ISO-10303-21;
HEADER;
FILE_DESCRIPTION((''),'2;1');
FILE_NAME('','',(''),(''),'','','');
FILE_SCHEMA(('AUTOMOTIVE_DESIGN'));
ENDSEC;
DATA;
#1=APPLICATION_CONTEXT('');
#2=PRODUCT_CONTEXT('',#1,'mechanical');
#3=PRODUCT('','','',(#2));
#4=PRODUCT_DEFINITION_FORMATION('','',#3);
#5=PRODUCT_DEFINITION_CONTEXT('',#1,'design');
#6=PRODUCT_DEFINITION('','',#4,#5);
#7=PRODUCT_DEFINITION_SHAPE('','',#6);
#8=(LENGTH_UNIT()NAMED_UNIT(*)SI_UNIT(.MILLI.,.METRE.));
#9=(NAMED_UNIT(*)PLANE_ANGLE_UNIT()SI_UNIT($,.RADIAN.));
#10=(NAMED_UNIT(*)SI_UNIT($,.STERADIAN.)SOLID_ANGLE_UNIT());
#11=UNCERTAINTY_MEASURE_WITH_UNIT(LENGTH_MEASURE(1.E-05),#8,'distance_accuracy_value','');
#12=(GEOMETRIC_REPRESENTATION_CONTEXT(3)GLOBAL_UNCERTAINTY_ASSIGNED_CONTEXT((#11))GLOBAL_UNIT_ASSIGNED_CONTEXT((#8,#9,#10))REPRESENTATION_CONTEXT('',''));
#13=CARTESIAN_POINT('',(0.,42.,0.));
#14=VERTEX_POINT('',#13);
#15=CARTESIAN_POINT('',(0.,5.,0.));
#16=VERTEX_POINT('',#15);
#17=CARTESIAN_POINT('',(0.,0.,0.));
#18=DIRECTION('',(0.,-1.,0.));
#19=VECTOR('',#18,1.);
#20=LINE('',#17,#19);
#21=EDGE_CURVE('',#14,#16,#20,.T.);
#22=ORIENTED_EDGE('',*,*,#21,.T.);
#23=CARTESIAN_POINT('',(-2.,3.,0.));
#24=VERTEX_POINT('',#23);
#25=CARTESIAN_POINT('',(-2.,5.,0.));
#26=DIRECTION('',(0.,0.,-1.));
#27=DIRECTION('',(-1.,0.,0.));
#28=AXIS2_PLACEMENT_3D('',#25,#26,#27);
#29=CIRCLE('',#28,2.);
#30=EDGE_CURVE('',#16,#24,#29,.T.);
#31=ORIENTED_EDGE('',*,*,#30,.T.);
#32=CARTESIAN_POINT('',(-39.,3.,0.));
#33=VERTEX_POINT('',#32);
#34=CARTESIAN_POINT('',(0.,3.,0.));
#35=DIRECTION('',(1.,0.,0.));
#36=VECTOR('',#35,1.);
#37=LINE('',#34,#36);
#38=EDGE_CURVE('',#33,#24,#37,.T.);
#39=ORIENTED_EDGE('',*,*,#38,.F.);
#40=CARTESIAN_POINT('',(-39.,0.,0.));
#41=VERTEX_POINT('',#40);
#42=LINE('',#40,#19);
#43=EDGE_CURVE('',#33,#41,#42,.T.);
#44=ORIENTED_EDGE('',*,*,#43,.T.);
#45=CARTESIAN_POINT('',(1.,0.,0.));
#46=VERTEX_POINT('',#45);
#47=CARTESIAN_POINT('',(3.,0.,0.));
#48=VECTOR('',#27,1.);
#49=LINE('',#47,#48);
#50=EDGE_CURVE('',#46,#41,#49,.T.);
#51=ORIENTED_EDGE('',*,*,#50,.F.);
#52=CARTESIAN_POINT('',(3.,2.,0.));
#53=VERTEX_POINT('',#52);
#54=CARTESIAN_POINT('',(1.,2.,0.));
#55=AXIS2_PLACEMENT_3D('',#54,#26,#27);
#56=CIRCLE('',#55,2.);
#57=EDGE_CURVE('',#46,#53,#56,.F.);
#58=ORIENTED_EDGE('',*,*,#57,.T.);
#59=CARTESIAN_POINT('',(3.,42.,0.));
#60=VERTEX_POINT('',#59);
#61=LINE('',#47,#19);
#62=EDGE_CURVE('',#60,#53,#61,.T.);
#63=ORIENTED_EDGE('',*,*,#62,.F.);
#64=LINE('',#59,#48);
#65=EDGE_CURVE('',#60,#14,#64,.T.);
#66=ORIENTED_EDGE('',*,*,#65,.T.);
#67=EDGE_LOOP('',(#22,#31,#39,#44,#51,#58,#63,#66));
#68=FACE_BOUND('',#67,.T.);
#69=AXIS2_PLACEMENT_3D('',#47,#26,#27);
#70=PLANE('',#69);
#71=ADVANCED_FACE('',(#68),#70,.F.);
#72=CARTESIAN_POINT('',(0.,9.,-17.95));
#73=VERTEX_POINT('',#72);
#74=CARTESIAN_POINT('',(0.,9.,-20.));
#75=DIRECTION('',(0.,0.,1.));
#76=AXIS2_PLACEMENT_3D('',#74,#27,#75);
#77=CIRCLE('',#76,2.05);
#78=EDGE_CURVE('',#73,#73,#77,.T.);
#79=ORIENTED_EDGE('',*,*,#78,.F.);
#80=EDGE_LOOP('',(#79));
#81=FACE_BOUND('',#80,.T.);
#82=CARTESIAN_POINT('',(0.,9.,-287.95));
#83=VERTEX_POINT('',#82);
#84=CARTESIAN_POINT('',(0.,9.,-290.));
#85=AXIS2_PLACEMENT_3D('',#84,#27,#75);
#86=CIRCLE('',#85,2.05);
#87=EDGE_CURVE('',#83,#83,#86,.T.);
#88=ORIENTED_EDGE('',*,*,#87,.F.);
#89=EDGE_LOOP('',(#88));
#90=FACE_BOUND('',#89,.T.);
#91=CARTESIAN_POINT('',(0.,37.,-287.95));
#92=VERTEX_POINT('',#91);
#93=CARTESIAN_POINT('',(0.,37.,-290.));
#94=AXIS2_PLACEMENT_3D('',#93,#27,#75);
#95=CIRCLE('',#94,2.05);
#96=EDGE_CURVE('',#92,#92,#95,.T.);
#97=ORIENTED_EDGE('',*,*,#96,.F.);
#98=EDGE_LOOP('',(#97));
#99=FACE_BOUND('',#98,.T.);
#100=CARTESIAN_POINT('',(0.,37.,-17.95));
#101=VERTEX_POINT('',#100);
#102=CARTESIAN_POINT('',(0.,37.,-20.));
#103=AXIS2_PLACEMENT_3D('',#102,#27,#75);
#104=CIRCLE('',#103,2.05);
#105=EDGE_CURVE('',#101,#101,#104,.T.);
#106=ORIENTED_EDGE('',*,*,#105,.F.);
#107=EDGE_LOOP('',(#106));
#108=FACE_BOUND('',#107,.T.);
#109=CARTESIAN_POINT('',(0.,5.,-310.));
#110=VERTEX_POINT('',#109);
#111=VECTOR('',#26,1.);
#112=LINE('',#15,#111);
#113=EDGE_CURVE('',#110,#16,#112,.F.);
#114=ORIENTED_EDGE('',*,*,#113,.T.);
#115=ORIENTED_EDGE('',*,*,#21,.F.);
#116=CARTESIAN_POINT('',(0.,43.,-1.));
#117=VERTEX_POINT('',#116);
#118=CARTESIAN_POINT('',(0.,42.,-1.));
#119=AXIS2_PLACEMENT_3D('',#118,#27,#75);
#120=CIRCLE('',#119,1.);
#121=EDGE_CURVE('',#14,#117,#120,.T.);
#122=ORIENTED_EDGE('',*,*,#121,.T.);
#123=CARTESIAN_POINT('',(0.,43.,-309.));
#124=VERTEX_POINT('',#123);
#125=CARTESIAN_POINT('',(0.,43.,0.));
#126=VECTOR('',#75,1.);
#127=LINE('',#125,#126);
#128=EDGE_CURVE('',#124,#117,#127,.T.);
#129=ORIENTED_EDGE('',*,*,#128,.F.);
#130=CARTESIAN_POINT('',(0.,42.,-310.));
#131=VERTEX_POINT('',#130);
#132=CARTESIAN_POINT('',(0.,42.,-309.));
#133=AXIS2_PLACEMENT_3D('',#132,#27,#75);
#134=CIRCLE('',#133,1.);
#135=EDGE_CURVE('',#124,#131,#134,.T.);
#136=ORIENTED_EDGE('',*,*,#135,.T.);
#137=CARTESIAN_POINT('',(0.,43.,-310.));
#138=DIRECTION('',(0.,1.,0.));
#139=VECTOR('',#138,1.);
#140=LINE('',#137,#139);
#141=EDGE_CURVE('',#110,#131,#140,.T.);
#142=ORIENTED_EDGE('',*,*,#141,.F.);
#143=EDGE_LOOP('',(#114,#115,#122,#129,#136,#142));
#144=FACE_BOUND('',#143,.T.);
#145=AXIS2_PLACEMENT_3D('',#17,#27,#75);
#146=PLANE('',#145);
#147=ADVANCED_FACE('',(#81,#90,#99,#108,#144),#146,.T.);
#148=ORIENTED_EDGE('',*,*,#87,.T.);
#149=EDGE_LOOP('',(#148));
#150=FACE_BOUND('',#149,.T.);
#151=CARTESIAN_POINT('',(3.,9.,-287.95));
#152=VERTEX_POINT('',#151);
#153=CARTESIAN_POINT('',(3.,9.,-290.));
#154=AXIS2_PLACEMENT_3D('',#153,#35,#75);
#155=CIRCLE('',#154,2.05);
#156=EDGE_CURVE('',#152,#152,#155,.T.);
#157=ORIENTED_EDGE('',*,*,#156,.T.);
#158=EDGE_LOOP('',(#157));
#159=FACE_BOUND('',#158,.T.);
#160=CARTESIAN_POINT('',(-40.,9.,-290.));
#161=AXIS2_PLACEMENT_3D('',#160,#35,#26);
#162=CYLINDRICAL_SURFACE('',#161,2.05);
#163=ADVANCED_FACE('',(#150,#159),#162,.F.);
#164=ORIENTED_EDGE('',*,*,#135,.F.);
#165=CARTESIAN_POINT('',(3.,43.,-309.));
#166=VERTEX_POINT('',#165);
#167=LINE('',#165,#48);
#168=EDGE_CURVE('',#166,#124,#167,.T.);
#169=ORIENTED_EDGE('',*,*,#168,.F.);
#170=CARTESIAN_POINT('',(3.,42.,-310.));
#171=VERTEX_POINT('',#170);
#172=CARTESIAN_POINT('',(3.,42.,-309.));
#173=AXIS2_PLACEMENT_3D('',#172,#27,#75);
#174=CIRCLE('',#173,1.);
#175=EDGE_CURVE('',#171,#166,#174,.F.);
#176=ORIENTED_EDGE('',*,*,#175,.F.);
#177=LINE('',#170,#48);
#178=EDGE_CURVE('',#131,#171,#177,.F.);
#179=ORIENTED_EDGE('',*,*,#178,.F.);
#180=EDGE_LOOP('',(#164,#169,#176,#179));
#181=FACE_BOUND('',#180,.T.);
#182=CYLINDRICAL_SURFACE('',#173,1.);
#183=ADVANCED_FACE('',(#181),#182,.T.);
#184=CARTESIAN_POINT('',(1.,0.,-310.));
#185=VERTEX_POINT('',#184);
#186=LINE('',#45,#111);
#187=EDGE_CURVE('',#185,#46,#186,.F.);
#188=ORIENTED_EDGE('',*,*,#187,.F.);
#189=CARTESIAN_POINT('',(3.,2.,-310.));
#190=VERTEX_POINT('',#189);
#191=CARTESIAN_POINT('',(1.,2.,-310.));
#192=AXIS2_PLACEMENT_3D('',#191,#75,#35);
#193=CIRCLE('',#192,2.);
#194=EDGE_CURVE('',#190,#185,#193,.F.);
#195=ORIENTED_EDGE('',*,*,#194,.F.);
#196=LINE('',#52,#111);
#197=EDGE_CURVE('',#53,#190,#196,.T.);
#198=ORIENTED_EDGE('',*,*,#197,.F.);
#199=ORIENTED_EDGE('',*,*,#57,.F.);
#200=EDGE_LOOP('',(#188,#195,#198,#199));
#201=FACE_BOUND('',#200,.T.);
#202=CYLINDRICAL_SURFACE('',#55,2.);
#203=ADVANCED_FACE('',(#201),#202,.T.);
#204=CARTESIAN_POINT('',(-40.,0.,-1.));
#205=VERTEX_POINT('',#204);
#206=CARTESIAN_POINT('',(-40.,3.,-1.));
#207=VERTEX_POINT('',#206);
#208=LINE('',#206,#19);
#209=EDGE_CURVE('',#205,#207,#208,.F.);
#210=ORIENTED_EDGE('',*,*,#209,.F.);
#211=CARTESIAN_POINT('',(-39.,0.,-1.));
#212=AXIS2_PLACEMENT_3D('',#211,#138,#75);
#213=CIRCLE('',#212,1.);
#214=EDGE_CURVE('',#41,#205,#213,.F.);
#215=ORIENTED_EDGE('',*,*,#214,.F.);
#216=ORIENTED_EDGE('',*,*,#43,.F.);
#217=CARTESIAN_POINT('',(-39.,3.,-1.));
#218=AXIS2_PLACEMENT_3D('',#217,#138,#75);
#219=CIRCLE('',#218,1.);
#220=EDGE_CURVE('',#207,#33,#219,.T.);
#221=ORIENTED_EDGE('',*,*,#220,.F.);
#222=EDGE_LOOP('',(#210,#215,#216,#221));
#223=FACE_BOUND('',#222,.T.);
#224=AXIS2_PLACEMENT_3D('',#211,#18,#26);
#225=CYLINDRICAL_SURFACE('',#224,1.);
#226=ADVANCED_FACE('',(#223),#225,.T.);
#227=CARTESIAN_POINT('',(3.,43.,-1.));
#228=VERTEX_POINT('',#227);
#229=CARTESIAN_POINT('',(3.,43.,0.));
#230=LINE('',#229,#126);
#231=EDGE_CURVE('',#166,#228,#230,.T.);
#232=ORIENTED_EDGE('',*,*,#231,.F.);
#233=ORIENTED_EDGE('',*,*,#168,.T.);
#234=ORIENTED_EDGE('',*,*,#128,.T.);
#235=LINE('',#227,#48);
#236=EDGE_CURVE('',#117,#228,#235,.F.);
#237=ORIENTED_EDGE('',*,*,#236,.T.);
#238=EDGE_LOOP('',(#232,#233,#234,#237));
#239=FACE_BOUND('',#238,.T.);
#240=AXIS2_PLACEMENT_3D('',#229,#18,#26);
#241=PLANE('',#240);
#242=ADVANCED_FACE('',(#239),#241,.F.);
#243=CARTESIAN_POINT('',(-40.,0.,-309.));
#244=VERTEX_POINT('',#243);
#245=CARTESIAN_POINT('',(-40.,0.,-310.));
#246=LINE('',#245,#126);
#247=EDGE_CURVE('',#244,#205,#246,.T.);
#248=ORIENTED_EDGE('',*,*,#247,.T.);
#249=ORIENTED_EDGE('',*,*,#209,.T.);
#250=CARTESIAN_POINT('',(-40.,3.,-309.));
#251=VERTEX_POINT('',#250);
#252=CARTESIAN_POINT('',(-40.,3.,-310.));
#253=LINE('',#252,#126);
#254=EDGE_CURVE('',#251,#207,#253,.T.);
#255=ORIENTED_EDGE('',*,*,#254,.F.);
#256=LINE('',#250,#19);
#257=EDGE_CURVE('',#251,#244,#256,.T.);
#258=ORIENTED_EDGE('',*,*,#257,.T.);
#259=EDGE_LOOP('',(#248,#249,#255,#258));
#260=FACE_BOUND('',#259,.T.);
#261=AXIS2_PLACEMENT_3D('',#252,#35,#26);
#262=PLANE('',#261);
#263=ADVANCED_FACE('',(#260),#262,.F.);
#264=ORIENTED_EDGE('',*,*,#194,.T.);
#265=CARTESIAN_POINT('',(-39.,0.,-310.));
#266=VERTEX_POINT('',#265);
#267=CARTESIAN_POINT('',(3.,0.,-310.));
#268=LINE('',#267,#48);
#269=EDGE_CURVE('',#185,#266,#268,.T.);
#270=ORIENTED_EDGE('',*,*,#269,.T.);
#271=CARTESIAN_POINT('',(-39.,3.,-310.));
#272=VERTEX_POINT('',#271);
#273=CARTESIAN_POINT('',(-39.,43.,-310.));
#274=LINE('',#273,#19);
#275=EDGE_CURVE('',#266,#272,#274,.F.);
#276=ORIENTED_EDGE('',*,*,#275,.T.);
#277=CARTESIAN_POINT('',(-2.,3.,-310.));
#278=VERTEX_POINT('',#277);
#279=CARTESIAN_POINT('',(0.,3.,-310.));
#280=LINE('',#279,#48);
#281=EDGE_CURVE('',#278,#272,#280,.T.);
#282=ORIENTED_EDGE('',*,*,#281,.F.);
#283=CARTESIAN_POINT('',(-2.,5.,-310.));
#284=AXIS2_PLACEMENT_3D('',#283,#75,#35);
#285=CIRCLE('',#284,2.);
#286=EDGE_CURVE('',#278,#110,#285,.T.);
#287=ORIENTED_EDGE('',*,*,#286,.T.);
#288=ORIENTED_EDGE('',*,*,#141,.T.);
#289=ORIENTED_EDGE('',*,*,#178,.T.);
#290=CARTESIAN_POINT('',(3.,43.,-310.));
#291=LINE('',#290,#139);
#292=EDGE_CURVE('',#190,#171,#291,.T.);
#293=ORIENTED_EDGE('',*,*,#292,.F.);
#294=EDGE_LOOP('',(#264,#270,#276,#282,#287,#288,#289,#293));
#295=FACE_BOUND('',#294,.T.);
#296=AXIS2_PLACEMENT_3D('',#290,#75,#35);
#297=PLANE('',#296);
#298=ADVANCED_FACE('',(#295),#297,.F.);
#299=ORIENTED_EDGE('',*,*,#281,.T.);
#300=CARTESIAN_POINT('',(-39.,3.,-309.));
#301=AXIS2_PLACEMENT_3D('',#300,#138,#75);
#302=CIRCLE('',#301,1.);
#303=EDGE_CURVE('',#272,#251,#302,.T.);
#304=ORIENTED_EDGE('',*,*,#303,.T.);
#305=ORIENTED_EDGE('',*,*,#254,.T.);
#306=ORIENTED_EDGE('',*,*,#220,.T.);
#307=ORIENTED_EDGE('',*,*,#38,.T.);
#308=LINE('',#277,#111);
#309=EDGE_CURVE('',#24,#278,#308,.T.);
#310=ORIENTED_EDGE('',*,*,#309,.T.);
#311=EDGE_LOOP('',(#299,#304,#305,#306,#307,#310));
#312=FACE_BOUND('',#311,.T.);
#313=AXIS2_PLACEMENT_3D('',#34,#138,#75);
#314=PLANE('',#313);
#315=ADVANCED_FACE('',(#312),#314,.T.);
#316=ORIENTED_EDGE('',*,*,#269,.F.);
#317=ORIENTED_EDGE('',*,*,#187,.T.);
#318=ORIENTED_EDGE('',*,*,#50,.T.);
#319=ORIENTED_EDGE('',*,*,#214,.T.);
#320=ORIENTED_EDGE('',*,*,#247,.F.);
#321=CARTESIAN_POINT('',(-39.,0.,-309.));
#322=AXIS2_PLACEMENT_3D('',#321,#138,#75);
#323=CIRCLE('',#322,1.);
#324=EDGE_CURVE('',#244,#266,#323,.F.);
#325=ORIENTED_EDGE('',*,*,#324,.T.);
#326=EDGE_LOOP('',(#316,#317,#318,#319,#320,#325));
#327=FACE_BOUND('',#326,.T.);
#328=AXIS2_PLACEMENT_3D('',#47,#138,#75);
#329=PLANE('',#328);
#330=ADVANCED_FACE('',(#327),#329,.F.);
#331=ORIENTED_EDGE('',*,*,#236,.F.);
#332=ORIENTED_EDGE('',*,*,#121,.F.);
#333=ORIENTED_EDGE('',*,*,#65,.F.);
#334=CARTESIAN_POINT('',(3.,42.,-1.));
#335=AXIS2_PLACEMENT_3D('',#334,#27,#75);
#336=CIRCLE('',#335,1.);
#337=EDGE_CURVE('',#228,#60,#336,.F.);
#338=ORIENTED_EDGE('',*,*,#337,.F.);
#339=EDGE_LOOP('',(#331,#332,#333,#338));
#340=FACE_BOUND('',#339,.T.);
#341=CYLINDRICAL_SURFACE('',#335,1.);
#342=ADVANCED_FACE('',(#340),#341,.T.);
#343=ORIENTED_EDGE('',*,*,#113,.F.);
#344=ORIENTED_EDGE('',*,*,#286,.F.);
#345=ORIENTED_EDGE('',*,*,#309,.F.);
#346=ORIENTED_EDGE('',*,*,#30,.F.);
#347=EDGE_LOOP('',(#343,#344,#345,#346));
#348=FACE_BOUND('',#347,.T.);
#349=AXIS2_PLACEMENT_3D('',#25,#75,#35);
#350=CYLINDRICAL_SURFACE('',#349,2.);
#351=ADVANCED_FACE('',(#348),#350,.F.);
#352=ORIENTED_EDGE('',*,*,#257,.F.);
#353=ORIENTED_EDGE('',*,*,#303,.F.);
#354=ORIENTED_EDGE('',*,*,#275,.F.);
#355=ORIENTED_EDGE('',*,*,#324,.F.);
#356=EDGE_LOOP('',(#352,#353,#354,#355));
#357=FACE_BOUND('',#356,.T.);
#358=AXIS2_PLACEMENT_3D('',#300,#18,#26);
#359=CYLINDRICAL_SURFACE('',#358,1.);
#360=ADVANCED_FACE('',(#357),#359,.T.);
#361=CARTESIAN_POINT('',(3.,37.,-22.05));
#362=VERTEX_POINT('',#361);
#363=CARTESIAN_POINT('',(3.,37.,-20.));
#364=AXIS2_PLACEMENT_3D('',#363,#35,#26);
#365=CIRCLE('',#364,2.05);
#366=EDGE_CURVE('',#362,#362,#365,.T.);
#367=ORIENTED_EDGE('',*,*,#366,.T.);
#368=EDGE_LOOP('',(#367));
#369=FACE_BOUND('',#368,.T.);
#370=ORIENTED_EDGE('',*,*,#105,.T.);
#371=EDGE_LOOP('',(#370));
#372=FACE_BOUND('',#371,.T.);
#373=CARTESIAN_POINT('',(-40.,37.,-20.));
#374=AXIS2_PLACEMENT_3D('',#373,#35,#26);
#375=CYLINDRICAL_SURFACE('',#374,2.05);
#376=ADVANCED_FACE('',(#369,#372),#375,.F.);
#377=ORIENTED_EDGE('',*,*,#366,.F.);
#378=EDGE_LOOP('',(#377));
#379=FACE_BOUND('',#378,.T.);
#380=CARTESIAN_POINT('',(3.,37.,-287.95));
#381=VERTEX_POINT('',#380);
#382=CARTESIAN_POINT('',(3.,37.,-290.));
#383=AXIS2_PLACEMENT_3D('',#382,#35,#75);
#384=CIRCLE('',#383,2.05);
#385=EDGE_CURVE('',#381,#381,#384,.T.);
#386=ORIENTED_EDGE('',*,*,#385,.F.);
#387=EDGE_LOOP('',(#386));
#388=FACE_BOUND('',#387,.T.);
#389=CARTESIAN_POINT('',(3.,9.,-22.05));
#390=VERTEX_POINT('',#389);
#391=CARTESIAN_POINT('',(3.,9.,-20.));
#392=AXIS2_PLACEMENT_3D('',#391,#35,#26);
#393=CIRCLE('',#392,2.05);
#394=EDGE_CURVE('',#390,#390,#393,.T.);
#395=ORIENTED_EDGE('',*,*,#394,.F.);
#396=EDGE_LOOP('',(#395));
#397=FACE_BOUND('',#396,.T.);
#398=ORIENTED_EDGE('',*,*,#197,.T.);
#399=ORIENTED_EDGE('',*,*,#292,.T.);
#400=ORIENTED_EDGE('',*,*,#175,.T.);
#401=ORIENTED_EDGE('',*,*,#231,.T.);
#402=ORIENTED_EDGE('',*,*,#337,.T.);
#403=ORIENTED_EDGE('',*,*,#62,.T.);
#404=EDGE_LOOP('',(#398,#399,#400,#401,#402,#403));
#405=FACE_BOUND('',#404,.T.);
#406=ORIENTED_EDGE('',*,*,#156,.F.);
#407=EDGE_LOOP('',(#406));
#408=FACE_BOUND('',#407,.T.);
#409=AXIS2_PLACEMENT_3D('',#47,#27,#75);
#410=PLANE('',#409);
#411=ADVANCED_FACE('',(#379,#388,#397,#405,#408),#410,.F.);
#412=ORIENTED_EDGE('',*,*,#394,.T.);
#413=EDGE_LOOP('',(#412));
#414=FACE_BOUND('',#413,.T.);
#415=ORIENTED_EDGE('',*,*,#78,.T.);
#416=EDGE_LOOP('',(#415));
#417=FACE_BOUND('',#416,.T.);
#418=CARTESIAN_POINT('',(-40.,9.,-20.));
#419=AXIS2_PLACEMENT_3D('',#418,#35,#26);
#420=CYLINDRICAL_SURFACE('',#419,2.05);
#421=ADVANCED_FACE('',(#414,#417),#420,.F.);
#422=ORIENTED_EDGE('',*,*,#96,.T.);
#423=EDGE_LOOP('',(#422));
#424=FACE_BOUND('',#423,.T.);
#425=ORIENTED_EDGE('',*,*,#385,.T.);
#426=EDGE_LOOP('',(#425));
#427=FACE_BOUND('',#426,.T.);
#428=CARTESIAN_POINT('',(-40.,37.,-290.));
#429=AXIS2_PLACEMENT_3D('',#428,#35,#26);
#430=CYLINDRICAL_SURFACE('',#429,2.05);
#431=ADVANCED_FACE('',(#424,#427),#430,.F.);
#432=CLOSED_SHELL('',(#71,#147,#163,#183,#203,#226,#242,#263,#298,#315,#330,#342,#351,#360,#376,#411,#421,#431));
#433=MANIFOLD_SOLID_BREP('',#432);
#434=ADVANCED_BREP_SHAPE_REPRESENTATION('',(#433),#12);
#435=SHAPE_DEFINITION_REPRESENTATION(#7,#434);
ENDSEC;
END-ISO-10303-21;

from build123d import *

# Parameters (mm, degrees)
SKETCH_1_W          = 310
SKETCH_1_H          = 43
EXTRUDE_1_DEPTH     = 3
SKETCH_2_W          = 40
SKETCH_2_H          = 310
EXTRUDE_2_DEPTH     = 3
FILLET_1_R          = 2
FILLET_2_R          = 2
FILLET_3_R          = 1
SKETCH_3_R          = 2.05
CUT_EXTRUDE_1_DEPTH = 44


with BuildPart() as part:
    # 草图1 → 凸台-拉伸1 (new body)
    with BuildSketch(Plane(origin=(0, 0, 0), x_dir=(0, 0, -1), z_dir=(1, 0, 0))):
        with Locations((155, 21.5)):
            Rectangle(SKETCH_1_W, SKETCH_1_H)
    extrude(amount=EXTRUDE_1_DEPTH)

    # 草图2 → 凸台-拉伸2 (add)
    with BuildSketch(Plane(origin=(0, 0, 0), x_dir=(1, 0, 0), z_dir=(0, 1, 0))):
        with Locations((-20, 155)):
            Rectangle(SKETCH_2_W, SKETCH_2_H)
    extrude(amount=EXTRUDE_2_DEPTH)

    # 圆角1
    fillet_1_edges = [part.edges().sort_by_distance(p)[0] for p in [
        (3, 0, -155),
    ]]
    fillet(fillet_1_edges, radius=FILLET_1_R)

    # 圆角2
    fillet_2_edges = [part.edges().sort_by_distance(p)[0] for p in [
        (0, 3, -155),
    ]]
    fillet(fillet_2_edges, radius=FILLET_2_R)

    # 圆角3
    fillet_3_edges = [part.edges().sort_by_distance(p)[0] for p in [
        (-40, 1.5, -310),
        (-40, 1.5, 0),
        (1.5, 43, 0),
        (1.5, 43, -310),
    ]]
    fillet(fillet_3_edges, radius=FILLET_3_R)

    # 草图3 → 切除-拉伸1 (cut, through all)
    with BuildSketch(Plane(origin=(3, 0, 0), x_dir=(0, 0, -1), z_dir=(1, 0, 0))):
        with Locations((20, 37)):
            Circle(SKETCH_3_R)
        with Locations((20, 9)):
            Circle(SKETCH_3_R)
        with Locations((290, 9)):
            Circle(SKETCH_3_R)
        with Locations((290, 37)):
            Circle(SKETCH_3_R)
    extrude(amount=-CUT_EXTRUDE_1_DEPTH, mode=Mode.SUBTRACT)


solid = part.part
